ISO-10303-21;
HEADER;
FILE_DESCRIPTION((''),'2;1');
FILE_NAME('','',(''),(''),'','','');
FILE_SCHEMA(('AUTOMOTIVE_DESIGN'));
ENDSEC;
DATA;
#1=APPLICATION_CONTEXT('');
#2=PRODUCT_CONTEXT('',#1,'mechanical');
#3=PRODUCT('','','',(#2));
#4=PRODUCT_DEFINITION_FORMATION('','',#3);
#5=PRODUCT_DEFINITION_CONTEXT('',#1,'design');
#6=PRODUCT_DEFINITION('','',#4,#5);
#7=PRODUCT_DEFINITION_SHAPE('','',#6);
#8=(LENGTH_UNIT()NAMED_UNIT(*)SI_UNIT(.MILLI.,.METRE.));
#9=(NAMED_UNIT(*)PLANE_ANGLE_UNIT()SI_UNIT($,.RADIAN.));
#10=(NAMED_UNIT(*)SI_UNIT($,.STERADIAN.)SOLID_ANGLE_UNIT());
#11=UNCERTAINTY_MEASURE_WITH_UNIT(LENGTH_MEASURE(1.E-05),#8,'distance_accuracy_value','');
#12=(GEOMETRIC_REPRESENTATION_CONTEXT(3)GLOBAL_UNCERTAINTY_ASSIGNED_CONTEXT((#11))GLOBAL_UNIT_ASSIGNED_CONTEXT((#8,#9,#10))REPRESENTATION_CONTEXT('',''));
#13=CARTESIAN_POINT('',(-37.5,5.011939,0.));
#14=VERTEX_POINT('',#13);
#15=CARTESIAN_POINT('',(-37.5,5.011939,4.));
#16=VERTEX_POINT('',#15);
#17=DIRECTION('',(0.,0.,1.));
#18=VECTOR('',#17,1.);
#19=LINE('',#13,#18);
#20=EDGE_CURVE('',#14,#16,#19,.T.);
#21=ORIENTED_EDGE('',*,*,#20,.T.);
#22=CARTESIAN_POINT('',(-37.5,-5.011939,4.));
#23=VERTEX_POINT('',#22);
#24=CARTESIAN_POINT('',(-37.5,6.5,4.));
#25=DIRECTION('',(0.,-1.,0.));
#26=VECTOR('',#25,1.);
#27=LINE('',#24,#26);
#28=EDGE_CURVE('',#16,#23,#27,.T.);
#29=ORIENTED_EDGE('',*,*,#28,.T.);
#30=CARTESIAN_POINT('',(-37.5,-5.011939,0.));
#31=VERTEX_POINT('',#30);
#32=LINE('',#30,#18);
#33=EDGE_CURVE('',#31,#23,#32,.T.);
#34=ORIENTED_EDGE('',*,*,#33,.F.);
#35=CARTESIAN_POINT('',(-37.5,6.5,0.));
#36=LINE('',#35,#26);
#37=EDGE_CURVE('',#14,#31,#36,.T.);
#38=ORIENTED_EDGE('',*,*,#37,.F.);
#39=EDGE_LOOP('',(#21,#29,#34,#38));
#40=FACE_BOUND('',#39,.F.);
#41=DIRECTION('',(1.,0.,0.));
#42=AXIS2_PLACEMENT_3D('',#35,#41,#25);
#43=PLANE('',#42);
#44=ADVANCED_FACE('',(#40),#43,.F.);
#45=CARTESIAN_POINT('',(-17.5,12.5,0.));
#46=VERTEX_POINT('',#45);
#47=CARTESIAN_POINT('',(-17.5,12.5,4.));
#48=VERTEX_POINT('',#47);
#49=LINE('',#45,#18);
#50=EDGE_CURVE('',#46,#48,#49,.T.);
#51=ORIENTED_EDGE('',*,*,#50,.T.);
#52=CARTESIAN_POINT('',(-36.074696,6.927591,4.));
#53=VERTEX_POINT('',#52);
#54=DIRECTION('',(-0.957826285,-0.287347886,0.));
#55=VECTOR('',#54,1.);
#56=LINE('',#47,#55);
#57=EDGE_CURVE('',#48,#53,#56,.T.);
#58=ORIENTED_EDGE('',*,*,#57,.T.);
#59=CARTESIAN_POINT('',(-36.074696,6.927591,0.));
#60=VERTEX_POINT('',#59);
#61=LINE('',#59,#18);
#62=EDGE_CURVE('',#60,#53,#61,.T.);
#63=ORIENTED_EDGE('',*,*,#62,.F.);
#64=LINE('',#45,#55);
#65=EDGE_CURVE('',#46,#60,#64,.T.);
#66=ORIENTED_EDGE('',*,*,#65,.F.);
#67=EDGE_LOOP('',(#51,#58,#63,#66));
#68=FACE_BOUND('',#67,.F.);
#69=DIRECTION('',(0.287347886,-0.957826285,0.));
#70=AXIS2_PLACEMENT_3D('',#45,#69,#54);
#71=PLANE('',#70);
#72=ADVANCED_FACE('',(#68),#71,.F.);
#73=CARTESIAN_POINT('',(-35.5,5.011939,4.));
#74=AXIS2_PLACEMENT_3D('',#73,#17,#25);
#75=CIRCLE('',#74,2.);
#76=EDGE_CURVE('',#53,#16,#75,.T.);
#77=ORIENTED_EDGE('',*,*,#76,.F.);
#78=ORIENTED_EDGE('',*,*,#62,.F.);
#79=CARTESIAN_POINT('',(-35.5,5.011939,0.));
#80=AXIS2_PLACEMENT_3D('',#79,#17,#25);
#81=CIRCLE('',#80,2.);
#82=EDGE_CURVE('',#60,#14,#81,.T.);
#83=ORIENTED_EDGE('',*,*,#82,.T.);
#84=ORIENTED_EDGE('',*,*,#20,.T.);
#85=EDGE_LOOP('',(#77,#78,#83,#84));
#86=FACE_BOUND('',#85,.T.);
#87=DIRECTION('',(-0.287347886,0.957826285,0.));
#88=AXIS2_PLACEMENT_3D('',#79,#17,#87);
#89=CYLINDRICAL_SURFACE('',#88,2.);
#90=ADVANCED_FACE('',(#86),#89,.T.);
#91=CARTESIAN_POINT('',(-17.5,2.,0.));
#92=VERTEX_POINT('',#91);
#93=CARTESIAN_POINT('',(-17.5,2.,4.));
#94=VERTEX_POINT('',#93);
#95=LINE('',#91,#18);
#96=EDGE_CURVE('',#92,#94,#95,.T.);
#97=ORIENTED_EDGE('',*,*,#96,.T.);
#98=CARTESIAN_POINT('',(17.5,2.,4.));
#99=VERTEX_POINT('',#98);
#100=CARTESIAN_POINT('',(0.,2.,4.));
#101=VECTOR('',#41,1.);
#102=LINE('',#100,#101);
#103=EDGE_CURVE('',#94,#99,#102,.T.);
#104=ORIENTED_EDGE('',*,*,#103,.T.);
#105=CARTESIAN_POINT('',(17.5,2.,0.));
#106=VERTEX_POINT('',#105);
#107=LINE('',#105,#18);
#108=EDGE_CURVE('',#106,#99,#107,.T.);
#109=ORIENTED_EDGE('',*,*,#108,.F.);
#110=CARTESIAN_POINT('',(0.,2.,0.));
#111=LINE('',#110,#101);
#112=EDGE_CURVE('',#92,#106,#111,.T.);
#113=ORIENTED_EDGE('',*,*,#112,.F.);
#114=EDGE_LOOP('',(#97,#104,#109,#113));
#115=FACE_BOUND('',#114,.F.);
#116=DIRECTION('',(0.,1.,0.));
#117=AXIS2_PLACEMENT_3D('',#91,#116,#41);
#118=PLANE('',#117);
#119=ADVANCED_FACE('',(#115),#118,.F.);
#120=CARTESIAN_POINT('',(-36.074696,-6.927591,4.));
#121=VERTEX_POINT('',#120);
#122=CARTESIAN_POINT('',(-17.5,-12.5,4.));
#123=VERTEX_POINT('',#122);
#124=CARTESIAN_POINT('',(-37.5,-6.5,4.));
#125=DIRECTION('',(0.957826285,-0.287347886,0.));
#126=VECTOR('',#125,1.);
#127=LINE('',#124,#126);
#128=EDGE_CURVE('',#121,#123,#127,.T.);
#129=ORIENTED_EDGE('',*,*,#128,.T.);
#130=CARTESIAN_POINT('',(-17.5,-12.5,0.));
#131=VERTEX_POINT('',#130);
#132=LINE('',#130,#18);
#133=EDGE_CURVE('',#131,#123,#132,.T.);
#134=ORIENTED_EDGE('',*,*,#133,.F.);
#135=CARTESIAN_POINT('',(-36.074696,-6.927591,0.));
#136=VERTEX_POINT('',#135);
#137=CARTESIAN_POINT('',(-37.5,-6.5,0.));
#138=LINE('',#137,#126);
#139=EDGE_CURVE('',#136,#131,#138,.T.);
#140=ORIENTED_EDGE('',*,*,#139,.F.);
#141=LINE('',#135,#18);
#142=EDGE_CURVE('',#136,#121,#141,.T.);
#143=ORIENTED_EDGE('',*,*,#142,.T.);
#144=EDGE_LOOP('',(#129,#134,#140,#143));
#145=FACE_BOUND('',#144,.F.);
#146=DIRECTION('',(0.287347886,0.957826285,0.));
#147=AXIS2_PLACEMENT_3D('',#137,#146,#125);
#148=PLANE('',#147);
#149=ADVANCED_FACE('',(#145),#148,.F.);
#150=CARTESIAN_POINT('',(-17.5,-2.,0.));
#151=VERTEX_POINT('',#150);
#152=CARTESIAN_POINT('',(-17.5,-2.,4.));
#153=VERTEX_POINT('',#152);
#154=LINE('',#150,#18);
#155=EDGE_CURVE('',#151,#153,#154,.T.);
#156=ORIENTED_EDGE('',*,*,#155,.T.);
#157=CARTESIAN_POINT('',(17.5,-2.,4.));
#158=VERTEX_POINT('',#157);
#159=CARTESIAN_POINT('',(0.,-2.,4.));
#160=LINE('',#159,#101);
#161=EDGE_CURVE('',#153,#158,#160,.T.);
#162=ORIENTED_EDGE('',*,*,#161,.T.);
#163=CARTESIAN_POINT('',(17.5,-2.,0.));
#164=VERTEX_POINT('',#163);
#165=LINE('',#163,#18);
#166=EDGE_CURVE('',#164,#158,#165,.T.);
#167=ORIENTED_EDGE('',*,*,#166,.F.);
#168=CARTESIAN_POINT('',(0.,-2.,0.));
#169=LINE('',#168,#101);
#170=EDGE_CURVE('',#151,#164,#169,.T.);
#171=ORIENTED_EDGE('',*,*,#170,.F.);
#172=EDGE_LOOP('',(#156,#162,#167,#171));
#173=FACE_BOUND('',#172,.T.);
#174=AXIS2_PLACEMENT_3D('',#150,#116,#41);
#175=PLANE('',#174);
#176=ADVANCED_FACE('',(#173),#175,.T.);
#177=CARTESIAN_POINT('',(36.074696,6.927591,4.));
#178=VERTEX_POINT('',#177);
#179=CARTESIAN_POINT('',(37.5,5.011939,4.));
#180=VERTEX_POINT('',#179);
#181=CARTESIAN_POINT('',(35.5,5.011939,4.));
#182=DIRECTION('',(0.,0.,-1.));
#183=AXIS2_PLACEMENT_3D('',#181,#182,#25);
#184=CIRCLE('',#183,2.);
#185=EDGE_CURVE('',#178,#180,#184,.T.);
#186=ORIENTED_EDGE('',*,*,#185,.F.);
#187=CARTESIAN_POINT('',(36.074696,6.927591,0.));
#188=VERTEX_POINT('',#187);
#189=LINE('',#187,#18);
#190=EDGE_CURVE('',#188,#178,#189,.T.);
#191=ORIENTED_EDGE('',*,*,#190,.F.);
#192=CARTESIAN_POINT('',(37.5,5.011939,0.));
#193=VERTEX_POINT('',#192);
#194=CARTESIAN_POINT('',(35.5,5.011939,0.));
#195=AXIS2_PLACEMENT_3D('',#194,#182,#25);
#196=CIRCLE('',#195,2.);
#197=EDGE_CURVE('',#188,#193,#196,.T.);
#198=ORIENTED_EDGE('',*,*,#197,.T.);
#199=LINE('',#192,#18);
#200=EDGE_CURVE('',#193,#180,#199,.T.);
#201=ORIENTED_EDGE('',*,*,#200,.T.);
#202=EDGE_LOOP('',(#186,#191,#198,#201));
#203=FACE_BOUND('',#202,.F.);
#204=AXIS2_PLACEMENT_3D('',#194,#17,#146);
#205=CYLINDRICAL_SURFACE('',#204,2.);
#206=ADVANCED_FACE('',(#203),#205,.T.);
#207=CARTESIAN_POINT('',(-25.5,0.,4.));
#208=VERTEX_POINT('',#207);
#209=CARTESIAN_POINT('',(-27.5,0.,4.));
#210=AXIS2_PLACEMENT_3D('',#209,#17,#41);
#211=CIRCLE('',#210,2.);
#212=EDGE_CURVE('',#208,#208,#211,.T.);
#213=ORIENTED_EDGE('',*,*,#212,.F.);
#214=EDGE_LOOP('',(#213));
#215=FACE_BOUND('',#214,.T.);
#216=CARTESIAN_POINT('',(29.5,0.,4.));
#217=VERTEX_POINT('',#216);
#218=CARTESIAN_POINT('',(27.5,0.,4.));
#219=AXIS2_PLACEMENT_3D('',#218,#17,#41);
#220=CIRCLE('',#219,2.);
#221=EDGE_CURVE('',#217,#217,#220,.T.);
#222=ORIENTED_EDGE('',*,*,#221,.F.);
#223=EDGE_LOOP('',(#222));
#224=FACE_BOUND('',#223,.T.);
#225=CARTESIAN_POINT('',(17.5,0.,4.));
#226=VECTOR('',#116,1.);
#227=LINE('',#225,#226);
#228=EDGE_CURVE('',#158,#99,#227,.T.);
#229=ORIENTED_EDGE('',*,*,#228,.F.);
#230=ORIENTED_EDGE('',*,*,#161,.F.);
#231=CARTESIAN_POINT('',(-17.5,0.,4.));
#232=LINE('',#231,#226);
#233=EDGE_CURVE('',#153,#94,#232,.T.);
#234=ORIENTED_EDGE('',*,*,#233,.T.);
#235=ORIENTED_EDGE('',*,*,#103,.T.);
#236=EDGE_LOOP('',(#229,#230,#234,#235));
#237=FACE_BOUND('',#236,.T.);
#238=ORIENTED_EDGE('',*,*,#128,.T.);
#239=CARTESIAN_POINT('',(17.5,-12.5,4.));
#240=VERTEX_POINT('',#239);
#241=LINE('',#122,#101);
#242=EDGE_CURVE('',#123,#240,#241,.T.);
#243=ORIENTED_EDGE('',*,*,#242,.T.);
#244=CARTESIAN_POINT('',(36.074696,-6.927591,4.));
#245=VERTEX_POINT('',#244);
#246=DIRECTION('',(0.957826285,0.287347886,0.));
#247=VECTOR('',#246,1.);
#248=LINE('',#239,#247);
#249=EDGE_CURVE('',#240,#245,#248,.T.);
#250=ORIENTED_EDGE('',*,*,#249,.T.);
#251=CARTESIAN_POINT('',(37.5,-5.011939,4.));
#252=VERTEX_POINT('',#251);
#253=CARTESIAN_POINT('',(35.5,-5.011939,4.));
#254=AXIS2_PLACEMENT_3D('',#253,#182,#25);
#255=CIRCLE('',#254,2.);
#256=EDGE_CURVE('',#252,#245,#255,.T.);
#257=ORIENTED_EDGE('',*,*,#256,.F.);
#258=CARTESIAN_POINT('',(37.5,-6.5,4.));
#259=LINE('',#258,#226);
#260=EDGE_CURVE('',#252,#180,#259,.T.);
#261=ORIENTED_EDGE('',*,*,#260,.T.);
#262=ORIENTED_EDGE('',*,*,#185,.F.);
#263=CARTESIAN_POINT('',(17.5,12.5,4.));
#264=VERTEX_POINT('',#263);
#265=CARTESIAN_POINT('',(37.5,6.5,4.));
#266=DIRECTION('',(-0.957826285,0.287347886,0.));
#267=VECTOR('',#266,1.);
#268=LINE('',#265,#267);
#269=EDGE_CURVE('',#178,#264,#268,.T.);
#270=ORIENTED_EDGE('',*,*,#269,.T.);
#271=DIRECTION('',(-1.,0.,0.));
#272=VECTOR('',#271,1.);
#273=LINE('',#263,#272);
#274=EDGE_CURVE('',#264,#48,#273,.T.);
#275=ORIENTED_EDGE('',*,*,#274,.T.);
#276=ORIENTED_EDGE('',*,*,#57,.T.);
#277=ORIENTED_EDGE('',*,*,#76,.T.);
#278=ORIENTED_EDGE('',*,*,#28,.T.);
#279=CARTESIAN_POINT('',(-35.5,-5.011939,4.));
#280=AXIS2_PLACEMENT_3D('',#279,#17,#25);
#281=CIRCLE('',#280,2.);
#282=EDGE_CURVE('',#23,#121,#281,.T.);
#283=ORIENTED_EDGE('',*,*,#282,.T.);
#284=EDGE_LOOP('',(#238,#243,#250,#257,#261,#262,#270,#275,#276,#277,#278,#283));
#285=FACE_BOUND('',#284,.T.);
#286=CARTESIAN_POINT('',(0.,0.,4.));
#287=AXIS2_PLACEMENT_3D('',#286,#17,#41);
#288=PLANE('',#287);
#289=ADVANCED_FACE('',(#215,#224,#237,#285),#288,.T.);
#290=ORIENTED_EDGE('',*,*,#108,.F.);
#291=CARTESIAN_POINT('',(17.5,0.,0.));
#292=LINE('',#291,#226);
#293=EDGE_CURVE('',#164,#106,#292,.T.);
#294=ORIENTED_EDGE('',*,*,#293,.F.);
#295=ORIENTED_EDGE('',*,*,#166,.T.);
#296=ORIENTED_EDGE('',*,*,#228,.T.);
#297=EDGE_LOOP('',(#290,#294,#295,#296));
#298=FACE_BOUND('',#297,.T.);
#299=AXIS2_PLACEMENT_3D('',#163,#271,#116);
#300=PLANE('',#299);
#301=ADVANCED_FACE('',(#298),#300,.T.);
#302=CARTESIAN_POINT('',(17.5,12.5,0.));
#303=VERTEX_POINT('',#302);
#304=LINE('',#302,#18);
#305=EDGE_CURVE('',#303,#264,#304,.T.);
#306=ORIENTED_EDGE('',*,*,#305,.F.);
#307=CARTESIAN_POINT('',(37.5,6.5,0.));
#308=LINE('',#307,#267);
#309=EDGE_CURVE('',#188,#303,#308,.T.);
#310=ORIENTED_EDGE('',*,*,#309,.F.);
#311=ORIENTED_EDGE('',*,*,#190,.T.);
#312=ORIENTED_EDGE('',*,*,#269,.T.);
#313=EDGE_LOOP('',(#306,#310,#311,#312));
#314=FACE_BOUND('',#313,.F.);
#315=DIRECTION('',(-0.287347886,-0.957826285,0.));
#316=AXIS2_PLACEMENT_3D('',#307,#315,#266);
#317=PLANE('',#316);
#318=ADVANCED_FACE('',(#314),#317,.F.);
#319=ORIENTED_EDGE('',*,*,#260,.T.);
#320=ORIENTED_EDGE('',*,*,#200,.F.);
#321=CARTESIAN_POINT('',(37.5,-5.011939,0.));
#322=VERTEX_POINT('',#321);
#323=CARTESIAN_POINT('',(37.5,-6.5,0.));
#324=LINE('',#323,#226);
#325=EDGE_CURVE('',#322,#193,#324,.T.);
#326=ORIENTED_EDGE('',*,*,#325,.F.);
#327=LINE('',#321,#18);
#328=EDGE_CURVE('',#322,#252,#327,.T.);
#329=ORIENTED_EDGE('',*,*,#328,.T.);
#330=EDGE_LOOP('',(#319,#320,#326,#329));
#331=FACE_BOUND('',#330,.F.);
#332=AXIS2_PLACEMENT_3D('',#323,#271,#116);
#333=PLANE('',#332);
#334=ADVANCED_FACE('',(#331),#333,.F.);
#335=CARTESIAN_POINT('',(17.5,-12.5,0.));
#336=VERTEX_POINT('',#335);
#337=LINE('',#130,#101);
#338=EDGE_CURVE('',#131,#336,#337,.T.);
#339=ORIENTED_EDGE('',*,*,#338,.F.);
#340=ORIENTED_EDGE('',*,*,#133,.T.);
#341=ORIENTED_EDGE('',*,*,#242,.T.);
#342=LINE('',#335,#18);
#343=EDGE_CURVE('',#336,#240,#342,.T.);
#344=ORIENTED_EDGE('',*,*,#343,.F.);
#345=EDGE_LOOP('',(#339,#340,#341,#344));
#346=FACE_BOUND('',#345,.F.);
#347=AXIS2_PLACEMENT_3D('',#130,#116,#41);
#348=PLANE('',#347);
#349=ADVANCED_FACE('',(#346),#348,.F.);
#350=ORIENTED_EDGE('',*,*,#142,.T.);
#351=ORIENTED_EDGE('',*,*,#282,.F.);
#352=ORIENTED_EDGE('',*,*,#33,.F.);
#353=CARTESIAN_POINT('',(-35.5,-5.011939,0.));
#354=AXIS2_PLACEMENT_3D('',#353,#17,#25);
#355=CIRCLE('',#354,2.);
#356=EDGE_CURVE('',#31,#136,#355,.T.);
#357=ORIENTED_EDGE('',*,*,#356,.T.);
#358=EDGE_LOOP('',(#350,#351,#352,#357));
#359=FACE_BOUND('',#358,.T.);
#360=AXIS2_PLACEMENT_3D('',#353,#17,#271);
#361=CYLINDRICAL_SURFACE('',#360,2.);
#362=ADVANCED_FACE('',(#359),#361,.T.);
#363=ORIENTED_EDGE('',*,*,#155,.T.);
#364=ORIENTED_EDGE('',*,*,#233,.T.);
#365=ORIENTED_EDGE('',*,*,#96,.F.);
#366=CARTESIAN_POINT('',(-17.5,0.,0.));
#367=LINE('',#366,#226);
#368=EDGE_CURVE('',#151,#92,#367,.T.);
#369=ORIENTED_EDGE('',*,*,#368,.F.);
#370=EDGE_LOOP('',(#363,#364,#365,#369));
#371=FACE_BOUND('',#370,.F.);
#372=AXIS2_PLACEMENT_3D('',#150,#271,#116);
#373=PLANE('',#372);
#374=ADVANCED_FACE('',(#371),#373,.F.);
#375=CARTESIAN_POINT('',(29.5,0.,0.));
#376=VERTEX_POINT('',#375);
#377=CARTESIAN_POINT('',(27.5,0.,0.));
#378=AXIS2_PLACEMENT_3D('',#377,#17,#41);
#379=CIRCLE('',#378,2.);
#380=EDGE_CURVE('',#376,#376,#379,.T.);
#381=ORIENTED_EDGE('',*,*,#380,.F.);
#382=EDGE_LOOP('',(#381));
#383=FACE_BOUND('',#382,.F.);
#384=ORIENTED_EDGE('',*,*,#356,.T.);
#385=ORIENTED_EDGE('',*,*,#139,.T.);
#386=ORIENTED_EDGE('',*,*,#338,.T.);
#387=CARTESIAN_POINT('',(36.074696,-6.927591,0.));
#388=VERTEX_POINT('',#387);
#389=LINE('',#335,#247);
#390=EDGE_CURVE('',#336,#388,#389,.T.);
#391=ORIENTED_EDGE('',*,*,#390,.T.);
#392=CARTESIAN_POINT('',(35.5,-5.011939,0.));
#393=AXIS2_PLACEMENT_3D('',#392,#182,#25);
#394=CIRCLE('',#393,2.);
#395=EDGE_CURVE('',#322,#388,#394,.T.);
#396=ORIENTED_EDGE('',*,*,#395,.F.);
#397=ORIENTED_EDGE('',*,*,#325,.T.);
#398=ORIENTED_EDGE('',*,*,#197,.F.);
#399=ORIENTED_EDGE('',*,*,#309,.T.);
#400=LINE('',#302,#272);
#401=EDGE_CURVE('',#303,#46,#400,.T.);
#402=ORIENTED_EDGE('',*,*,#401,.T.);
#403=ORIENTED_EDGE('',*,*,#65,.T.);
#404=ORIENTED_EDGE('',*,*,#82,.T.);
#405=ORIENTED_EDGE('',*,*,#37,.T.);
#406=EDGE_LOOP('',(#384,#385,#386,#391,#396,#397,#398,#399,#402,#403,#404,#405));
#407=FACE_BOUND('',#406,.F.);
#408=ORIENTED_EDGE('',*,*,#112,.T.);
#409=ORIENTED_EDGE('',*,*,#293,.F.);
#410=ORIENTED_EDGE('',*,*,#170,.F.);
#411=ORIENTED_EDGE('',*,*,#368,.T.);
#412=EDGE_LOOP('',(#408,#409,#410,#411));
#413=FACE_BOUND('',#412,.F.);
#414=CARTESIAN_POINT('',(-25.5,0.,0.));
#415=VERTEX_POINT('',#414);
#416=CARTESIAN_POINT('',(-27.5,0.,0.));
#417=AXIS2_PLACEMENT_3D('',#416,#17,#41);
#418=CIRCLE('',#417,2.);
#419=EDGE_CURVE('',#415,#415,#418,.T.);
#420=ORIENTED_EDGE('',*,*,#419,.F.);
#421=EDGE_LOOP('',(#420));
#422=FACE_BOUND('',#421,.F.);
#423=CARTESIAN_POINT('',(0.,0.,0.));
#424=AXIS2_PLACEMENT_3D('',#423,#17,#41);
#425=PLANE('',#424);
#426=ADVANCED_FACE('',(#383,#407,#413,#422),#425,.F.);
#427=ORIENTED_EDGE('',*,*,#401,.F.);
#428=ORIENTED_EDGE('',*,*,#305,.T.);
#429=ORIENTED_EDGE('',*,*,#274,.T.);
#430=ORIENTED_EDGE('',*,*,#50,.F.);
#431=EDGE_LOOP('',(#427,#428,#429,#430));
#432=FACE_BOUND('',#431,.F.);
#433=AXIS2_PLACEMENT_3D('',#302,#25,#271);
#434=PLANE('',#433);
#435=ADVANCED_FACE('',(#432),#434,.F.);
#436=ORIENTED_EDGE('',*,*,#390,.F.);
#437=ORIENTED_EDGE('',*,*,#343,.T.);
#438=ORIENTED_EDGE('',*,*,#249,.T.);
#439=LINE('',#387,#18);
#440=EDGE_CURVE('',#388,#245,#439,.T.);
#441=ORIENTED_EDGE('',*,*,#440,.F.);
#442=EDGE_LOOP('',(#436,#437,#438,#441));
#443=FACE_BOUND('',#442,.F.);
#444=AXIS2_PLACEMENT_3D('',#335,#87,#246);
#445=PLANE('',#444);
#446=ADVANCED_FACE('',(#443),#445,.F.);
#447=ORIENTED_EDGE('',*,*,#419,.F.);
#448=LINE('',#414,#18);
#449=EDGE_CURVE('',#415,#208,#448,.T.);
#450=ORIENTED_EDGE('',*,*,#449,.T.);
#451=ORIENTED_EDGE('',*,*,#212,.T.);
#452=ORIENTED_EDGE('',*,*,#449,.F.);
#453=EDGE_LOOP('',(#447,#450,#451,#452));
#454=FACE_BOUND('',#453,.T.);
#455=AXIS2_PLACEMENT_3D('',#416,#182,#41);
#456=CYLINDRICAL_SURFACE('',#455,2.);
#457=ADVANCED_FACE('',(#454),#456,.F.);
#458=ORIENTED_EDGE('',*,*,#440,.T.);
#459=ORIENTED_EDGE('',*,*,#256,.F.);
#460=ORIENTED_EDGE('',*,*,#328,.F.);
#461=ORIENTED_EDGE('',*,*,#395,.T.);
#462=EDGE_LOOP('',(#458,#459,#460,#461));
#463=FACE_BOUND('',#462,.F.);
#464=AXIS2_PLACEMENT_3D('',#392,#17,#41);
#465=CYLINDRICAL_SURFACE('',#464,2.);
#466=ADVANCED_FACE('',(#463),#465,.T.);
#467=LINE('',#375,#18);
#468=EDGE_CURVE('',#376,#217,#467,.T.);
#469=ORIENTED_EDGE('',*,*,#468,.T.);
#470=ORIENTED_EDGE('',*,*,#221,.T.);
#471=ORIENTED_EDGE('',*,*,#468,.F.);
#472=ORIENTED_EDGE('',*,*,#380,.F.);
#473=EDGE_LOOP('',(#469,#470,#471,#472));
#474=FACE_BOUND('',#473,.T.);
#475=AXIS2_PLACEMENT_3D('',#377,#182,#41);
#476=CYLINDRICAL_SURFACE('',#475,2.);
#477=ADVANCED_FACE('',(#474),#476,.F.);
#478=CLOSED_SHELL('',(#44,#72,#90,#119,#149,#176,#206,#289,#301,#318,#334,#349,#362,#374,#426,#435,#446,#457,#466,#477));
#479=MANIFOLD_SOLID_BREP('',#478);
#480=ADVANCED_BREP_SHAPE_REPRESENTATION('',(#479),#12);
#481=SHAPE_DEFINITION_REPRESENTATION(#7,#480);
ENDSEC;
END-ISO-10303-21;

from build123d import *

# Parameters (mm, degrees)
F0_R     = 2
F0_W     = 35
F0_H     = 4
F1_DEPTH = 4
F2_R     = 2


with BuildPart() as f1:
    # F0 (on Top) → F1 (new body)
    with BuildSketch(Plane.XY):
        Polygon((17.5, 12.5), (0, 12.5), (-17.5, 12.5), (-37.5, 6.5), (-37.5, -6.5), (-17.5, -12.5), (0, -12.5), (17.5, -12.5), (37.5, -6.5), (37.5, 6.5), align=None)
        with Locations((-27.5, 0)):
            Circle(F0_R, mode=Mode.SUBTRACT)
        Rectangle(F0_W, F0_H, mode=Mode.SUBTRACT)
        with Locations((27.5, 0)):
            Circle(F0_R, mode=Mode.SUBTRACT)
    extrude(amount=F1_DEPTH)

    # F2
    f2_edges = [f1.edges().sort_by_distance(p)[0] for p in [
        (-37.5, -6.5, 2),
        (37.5, -6.5, 2),
        (37.5, 6.5, 2),
        (-37.5, 6.5, 2),
    ]]
    fillet(f2_edges, radius=F2_R)


solid = f1.part
